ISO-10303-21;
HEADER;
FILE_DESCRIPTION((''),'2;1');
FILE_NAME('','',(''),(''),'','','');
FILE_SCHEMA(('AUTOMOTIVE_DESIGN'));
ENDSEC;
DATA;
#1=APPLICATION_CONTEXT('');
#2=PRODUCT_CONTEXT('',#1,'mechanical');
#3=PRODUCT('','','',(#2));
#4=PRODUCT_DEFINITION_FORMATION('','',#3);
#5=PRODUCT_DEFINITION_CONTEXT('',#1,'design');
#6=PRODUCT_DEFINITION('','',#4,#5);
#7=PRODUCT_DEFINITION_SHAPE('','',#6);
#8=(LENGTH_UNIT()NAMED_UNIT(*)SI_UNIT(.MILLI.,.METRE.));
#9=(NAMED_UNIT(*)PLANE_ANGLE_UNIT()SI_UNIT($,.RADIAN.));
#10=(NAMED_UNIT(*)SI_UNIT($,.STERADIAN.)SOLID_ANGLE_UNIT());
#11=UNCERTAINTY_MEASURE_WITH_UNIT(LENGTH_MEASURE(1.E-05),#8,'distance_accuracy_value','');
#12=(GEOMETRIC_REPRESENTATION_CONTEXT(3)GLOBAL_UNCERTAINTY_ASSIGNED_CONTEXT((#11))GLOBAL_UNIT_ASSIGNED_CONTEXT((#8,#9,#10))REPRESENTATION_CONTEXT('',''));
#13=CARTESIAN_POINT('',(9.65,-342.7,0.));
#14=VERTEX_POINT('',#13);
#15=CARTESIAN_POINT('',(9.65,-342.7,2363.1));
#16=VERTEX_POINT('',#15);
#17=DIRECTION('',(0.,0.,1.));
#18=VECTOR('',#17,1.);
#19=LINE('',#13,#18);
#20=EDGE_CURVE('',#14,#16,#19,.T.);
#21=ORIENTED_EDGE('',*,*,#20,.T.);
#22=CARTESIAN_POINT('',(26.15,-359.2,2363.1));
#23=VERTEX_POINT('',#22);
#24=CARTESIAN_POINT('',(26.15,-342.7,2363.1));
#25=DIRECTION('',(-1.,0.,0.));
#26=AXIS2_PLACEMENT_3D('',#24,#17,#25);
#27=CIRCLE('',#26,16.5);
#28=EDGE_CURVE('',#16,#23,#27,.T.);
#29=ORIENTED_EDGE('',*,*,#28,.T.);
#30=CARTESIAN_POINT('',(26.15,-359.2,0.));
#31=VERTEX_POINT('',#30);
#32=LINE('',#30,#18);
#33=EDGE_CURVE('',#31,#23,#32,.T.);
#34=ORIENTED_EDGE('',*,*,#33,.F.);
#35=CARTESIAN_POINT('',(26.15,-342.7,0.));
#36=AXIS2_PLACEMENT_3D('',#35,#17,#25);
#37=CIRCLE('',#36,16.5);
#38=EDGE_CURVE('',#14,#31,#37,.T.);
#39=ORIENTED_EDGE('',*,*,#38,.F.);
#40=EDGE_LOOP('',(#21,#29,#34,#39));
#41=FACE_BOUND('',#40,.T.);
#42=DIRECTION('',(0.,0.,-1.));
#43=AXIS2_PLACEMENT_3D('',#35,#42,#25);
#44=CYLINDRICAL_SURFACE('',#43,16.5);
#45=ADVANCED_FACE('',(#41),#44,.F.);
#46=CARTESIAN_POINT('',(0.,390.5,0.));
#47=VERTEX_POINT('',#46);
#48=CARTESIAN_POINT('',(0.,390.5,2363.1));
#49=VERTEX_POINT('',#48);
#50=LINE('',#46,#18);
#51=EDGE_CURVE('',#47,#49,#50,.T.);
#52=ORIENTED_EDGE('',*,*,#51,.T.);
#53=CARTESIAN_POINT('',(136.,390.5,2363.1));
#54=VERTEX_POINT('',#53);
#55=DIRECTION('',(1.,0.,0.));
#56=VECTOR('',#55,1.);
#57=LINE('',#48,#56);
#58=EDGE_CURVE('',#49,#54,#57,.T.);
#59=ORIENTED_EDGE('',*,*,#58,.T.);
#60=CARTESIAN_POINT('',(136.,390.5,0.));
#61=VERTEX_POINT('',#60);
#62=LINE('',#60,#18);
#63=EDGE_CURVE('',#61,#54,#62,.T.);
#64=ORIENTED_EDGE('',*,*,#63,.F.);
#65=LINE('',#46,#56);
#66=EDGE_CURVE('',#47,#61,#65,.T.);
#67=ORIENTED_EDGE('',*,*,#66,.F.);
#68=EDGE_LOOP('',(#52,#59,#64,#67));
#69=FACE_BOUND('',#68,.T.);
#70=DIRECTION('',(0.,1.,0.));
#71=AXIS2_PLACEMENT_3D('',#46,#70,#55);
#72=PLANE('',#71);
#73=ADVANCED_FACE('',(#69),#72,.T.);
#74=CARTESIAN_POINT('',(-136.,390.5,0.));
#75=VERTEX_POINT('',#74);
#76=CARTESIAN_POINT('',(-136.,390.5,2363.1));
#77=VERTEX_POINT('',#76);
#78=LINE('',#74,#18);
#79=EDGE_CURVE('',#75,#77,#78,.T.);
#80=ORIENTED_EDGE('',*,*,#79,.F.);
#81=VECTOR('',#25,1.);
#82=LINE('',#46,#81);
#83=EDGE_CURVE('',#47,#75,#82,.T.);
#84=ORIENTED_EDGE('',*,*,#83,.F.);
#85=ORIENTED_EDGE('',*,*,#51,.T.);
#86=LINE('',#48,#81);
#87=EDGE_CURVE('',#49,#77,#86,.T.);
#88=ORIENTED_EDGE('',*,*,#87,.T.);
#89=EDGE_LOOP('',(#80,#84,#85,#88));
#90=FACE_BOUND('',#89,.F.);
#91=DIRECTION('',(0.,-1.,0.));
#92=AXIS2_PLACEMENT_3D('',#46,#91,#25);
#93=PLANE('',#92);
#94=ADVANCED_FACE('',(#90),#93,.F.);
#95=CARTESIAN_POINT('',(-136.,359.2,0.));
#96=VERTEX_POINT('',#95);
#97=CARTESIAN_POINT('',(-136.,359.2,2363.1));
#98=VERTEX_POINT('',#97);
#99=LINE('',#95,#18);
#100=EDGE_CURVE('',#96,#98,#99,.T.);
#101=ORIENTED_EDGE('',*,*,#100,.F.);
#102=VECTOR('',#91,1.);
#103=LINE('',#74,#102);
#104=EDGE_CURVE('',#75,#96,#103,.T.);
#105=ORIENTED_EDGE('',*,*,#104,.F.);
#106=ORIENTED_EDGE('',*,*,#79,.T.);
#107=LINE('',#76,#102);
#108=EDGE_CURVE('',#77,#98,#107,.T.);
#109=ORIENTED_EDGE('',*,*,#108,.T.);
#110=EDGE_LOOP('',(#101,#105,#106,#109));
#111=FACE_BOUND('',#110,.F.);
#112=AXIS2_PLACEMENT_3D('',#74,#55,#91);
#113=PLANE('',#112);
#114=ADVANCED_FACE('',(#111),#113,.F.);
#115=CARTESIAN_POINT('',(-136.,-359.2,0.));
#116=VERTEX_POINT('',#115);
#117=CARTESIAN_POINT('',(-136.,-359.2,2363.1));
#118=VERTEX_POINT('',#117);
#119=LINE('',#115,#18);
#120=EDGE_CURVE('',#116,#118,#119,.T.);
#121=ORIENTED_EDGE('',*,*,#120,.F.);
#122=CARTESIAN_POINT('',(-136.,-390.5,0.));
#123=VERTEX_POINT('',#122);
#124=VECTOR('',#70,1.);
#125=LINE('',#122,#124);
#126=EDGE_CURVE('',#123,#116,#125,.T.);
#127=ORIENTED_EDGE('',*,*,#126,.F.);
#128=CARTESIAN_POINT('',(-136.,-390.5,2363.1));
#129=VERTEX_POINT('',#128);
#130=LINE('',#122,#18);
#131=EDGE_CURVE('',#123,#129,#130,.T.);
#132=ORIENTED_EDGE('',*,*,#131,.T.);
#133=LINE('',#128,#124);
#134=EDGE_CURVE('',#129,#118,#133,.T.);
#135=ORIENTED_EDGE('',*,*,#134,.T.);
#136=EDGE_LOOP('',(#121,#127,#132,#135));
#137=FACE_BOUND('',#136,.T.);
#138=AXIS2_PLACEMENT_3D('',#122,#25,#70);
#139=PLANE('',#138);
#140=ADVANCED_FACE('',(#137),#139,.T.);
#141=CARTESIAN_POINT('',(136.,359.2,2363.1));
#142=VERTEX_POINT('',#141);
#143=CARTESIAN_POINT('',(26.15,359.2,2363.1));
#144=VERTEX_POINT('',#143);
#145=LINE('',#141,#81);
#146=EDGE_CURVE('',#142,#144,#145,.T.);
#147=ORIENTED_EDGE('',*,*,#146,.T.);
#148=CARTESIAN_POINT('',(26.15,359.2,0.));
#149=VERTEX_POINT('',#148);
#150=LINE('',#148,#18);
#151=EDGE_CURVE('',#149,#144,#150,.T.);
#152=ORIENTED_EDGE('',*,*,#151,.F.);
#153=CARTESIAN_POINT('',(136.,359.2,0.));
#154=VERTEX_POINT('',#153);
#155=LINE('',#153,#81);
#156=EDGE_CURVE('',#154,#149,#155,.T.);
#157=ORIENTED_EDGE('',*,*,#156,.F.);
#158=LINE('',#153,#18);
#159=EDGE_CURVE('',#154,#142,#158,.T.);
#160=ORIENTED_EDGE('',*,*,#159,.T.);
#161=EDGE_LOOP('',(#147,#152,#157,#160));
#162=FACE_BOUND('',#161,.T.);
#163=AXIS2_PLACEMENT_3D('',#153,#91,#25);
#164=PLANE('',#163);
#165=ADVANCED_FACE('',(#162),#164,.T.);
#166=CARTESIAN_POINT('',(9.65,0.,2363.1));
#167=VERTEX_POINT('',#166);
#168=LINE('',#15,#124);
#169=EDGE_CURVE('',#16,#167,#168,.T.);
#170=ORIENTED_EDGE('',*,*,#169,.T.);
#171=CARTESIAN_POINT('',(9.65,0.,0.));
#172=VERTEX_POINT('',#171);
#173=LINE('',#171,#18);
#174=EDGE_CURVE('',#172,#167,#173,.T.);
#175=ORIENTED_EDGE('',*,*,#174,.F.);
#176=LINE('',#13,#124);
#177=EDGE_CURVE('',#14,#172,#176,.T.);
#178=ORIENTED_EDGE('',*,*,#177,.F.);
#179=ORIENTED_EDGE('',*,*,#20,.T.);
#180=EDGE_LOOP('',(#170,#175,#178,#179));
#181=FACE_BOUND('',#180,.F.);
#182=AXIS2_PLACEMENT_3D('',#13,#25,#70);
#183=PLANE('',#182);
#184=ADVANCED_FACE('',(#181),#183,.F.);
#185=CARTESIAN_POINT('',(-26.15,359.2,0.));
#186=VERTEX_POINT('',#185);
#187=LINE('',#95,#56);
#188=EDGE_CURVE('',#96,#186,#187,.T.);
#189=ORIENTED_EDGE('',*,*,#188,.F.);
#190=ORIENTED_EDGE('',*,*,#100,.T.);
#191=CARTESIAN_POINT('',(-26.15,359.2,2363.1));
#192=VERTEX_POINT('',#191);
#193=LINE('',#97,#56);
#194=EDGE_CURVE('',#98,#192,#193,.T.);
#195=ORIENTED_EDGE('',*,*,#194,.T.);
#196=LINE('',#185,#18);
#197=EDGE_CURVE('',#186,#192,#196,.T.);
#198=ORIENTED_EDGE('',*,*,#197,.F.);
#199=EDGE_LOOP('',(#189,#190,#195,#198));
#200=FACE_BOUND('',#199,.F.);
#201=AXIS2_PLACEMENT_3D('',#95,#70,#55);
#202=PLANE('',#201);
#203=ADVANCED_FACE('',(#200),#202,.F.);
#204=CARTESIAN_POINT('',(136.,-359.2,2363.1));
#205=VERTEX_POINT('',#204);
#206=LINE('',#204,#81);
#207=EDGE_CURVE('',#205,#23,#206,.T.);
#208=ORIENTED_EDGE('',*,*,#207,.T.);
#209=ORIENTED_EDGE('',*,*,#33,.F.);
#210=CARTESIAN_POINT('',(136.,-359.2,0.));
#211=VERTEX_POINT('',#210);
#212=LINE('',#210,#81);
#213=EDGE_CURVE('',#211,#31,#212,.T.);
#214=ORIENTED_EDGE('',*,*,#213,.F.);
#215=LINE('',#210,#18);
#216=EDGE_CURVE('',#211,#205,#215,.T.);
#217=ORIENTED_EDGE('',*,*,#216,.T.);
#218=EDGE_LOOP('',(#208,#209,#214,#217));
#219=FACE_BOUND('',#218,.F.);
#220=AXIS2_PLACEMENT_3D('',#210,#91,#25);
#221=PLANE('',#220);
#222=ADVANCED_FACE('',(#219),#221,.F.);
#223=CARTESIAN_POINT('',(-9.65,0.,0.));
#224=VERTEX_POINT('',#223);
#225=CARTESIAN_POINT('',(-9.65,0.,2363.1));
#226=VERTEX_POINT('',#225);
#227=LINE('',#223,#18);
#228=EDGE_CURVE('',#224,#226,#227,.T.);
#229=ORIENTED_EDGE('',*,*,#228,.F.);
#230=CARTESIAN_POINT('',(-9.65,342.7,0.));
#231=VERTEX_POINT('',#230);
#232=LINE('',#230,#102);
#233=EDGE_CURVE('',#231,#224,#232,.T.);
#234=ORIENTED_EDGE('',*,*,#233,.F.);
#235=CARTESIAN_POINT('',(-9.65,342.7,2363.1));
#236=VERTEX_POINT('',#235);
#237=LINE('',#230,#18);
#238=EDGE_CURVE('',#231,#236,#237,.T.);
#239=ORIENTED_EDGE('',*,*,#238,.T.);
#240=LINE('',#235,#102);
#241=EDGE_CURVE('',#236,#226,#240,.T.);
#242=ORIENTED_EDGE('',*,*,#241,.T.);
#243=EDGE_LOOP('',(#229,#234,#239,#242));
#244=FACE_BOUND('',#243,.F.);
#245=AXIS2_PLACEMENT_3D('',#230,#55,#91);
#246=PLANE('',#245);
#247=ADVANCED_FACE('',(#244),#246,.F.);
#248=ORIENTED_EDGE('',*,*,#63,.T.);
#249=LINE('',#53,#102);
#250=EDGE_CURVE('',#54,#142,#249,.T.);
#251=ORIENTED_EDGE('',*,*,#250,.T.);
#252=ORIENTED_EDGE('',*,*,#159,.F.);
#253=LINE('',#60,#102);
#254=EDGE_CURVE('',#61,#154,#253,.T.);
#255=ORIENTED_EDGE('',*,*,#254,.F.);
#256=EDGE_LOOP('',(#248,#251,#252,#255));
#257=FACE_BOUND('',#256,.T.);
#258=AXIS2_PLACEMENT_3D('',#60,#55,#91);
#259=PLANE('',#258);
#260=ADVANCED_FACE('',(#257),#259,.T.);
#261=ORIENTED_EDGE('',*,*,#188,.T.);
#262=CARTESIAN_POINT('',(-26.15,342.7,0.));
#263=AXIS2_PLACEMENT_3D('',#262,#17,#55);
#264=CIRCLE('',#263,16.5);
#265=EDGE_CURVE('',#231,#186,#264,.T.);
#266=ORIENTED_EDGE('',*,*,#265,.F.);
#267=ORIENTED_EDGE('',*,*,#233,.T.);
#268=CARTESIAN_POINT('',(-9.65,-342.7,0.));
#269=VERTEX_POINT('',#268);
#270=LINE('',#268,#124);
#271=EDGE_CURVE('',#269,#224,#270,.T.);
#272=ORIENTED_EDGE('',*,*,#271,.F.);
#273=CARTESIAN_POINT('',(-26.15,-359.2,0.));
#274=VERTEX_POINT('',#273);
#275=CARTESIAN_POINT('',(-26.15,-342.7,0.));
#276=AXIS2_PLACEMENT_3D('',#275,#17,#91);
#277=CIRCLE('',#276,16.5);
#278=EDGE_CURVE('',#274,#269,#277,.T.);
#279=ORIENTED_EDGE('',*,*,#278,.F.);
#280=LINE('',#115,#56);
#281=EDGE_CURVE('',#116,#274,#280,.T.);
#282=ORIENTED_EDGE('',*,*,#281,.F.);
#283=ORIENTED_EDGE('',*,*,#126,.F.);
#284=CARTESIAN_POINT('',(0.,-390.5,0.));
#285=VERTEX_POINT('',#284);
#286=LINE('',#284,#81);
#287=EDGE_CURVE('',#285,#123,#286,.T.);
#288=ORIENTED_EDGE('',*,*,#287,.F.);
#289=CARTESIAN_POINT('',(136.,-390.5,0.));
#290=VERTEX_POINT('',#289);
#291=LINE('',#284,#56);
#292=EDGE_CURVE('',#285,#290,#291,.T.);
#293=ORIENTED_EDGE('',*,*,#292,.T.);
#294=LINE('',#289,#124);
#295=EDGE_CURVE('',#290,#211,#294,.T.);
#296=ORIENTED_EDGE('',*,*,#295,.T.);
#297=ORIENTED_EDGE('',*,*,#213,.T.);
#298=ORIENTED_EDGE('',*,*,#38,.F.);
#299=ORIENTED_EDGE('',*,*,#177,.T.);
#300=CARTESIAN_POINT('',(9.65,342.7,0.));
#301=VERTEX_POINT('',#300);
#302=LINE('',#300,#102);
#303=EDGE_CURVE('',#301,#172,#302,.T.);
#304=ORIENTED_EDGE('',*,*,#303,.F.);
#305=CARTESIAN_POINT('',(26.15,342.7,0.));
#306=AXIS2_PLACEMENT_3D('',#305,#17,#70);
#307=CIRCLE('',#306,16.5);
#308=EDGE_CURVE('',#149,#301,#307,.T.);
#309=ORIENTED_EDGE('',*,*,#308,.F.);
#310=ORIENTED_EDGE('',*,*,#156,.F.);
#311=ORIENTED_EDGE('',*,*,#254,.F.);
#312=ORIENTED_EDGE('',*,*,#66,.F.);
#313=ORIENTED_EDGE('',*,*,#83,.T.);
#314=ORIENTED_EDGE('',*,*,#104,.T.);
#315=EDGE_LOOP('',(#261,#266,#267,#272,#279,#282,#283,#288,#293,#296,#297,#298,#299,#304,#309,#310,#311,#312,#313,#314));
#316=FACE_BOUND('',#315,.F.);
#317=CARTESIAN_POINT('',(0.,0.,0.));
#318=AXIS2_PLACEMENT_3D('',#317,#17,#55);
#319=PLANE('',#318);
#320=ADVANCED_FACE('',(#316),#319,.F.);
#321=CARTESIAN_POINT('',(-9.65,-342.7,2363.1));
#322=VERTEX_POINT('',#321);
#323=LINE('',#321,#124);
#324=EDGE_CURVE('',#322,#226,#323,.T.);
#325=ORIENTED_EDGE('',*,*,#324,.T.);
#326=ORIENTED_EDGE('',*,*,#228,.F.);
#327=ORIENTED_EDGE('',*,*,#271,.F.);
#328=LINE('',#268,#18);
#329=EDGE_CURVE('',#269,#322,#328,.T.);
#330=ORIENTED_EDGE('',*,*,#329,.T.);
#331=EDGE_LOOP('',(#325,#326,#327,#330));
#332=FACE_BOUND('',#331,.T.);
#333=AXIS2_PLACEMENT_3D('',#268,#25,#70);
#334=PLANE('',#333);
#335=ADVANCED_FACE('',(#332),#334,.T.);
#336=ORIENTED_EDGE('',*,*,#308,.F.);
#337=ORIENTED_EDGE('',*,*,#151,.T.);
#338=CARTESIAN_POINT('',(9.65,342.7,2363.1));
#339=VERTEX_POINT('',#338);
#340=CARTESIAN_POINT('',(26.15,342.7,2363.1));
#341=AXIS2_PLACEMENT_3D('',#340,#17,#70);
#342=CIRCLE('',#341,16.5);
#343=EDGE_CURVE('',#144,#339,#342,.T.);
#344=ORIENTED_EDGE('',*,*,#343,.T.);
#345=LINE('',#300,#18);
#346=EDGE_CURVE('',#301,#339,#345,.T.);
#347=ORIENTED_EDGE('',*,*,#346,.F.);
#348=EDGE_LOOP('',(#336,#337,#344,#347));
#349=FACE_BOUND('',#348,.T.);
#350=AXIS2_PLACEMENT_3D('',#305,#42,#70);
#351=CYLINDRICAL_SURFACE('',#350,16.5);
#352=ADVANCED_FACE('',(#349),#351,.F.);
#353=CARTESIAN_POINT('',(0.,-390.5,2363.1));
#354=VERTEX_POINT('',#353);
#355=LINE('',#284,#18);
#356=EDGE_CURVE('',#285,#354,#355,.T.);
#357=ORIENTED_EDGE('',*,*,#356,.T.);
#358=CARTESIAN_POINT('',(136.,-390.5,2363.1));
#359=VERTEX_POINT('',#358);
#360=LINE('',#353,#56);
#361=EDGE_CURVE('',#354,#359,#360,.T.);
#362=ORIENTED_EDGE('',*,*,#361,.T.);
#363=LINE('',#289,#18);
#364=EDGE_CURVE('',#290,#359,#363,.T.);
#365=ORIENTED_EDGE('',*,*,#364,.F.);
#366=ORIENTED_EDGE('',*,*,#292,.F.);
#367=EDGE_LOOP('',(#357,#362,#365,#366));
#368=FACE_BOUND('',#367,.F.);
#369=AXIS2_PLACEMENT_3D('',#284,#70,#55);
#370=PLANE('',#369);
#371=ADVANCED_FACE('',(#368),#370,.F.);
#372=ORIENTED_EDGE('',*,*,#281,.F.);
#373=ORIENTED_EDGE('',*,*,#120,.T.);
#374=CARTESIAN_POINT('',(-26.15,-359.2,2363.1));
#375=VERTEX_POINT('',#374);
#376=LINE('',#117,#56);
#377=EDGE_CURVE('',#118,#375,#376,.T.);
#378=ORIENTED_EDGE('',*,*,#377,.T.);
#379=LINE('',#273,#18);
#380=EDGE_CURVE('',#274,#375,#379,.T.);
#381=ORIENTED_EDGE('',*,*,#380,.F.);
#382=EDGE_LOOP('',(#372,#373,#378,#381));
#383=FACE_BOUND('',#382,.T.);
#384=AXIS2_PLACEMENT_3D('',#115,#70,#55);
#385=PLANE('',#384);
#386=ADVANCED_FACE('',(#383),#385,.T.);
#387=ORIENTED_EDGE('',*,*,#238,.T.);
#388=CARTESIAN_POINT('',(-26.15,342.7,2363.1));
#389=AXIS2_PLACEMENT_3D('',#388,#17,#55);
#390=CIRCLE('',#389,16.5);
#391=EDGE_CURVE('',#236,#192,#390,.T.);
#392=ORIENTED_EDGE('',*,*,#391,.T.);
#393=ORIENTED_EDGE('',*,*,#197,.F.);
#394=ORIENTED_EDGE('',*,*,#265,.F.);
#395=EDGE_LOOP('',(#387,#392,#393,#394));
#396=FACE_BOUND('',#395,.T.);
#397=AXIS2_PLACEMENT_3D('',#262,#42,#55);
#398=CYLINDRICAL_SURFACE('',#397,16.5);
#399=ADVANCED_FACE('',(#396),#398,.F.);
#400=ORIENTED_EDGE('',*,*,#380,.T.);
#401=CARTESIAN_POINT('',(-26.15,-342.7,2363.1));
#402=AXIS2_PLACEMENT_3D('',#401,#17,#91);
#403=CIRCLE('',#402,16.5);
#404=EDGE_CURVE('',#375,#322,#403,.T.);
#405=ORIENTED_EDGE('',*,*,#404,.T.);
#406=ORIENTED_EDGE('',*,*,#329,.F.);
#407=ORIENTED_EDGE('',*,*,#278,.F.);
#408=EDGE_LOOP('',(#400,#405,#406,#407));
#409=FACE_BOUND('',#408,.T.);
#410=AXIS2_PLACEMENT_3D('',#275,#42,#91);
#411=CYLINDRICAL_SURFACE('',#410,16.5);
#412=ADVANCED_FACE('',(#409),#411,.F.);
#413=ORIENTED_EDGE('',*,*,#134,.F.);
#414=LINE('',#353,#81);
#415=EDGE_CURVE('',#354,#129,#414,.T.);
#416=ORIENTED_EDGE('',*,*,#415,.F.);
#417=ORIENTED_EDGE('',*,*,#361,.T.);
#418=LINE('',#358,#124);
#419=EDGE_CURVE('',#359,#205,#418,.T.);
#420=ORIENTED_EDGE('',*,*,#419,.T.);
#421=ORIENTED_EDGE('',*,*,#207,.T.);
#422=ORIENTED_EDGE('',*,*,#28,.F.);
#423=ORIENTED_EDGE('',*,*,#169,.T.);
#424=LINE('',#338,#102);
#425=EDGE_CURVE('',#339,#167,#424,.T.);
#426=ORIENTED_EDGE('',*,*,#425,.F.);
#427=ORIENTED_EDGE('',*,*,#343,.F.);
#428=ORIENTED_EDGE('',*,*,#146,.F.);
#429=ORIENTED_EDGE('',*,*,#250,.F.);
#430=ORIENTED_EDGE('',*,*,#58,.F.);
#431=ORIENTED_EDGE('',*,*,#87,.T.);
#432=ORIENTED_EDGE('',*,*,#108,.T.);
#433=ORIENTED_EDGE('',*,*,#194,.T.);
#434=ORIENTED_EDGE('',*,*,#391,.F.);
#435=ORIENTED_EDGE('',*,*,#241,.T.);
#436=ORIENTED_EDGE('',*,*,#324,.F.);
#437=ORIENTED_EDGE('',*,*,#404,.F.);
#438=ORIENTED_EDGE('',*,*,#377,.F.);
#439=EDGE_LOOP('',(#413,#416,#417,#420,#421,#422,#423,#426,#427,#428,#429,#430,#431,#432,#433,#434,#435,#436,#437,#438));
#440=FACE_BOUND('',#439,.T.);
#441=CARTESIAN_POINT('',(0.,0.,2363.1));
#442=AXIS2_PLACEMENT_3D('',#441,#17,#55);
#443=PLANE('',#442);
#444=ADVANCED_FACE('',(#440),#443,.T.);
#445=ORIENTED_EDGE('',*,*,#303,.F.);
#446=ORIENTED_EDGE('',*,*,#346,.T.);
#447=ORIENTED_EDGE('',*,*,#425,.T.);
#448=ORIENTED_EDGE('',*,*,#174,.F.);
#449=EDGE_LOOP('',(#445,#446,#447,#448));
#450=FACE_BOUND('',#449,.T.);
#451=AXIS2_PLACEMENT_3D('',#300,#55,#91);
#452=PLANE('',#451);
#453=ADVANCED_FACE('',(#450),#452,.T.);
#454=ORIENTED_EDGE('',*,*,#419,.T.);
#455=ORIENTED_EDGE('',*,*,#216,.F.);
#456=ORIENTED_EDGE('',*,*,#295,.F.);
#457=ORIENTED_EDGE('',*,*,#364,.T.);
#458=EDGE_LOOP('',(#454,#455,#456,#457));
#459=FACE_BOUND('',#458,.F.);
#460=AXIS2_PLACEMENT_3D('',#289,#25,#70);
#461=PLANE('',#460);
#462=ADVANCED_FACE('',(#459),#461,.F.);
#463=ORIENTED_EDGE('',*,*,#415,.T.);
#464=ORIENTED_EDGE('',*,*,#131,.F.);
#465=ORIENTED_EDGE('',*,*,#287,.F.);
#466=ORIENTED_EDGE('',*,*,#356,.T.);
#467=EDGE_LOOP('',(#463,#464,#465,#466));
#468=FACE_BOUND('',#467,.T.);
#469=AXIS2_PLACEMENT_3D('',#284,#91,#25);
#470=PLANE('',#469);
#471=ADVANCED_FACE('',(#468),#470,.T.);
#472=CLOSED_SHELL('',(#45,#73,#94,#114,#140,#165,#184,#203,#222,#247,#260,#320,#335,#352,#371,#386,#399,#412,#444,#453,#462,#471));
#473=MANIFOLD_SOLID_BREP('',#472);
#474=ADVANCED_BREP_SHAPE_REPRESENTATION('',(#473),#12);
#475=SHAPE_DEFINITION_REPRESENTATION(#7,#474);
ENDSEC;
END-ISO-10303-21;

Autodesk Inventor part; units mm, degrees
ref_plane "YZ Plane" through (0, 0, 0) normal (1, 0, 0) x (0, 1, 0)
ref_plane "Start plane" through (0, 0, 0) normal (0, 0, 1) x (1, 0, 0)
ref_plane "End plane" through (0, 0, 2363.1) normal (0, 0, 1) x (1, 0, 0)
sketch "Sketch" plane through (0, 0, 0) normal (0, 0, 1) x (1, 0, 0)
  line L0 (-136, -390.5) -> (-136, -359.2)
  line L1 (-136, -359.2) -> (-26.15, -359.2)
  line L2 (-9.65, -342.7) -> (-9.65, 0)
  line L3 (-9.65, 0) -> (0, 0) construction
  line L4 (0, 0) -> (0, -390.5) construction
  line L5 (0, -390.5) -> (-136, -390.5)
  line L6 (-60, 0) -> (80, 0) construction
  line L7 (0, -60) -> (0, 80) construction
  line L8 (136, -390.5) -> (136, -359.2)
  line L9 (136, -359.2) -> (26.15, -359.2)
  line L10 (9.65, -342.7) -> (9.65, 0)
  line L11 (9.65, 0) -> (0, 0) construction
  line L12 (0, -390.5) -> (136, -390.5)
  line L13 (-136, 390.5) -> (-136, 359.2)
  line L14 (-136, 359.2) -> (-26.15, 359.2)
  line L15 (-9.65, 342.7) -> (-9.65, 0)
  line L16 (0, 390.5) -> (-136, 390.5)
  line L17 (136, 390.5) -> (136, 359.2)
  line L18 (136, 359.2) -> (26.15, 359.2)
  line L19 (0, 390.5) -> (136, 390.5)
  line L20 (9.65, 342.7) -> (9.65, 0)
  arc A0 (-9.65, 342.7) -> (-26.15, 359.2) centre (-26.15, 342.7) ccw
  arc A1 (26.15, 359.2) -> (9.65, 342.7) centre (26.15, 342.7) ccw
  arc A2 (9.65, -342.7) -> (26.15, -359.2) centre (26.15, -342.7) ccw
  arc A3 (-26.15, -359.2) -> (-9.65, -342.7) centre (-26.15, -342.7) ccw
  line L21 (0, 108) -> (0, -88) construction
  line L22 (-88, 0) -> (108, 0) construction
  point P0 (-9.65, -359.2)
  point P1 (9.65, -359.2)
  point P2 (-9.65, 359.2)
  point P3 (9.65, 359.2)
  dimension "d1" = 390.5
  dimension "d2" = 31.3
  dimension "d3" = 136
  dimension "d4" = 9.65
  dimension "d10" = 16.5
extrude "Body" add sketch "Sketch" along normal up to surface (2363.1 mm away) from surface at 0
sketch "Sketch4" plane through (0, 0, 0) normal (0, 0, 1) x (1, 0, 0)
  line L0 (0, 0) -> (10, 0)
ref_plane "Work Plane3" through (0, 0, 0) normal (0, -1, 0) x (1, 0, 0)
sketch "Sketch5" plane through (0, 0, 0) normal (0, -1, 0) x (1, 0, 0)
  line L0 (-2, 0) -> (12, 0) projected
  line L1 (-2, 2363.1) -> (12, 2363.1) projected
  dimension "d14" = 2363.1
equation "\"d1\" = 0.5 * G_H"
equation "\"d2\" = G_T1"
equation "\"d3\" = 0.5 * G_W"
equation "\"d4\" = 0.5 * G_T"
equation "\"d10\" = G_IR"
equation "\"d5\" = G_L"
equation "\"G_W\" = 272"
equation "\"G_H\" = 781"
equation "\"G_T\" = 19.3"
equation "\"G_T1\" = 31.3"
equation "\"G_IR\" = 16.5"
equation "\"G_L\" = d14"
equation "\"G_OFFSET_START\" = 0"
equation "\"G_OFFSET_END\" = 0"
equation "\"d12\" = G_OFFSET_END + B_L"
equation "\"B_L\" = 2363.1"
properties part number "AS 3679-1990 - 760 UB - 244 - 2363.1" material "Steel, Mild"
